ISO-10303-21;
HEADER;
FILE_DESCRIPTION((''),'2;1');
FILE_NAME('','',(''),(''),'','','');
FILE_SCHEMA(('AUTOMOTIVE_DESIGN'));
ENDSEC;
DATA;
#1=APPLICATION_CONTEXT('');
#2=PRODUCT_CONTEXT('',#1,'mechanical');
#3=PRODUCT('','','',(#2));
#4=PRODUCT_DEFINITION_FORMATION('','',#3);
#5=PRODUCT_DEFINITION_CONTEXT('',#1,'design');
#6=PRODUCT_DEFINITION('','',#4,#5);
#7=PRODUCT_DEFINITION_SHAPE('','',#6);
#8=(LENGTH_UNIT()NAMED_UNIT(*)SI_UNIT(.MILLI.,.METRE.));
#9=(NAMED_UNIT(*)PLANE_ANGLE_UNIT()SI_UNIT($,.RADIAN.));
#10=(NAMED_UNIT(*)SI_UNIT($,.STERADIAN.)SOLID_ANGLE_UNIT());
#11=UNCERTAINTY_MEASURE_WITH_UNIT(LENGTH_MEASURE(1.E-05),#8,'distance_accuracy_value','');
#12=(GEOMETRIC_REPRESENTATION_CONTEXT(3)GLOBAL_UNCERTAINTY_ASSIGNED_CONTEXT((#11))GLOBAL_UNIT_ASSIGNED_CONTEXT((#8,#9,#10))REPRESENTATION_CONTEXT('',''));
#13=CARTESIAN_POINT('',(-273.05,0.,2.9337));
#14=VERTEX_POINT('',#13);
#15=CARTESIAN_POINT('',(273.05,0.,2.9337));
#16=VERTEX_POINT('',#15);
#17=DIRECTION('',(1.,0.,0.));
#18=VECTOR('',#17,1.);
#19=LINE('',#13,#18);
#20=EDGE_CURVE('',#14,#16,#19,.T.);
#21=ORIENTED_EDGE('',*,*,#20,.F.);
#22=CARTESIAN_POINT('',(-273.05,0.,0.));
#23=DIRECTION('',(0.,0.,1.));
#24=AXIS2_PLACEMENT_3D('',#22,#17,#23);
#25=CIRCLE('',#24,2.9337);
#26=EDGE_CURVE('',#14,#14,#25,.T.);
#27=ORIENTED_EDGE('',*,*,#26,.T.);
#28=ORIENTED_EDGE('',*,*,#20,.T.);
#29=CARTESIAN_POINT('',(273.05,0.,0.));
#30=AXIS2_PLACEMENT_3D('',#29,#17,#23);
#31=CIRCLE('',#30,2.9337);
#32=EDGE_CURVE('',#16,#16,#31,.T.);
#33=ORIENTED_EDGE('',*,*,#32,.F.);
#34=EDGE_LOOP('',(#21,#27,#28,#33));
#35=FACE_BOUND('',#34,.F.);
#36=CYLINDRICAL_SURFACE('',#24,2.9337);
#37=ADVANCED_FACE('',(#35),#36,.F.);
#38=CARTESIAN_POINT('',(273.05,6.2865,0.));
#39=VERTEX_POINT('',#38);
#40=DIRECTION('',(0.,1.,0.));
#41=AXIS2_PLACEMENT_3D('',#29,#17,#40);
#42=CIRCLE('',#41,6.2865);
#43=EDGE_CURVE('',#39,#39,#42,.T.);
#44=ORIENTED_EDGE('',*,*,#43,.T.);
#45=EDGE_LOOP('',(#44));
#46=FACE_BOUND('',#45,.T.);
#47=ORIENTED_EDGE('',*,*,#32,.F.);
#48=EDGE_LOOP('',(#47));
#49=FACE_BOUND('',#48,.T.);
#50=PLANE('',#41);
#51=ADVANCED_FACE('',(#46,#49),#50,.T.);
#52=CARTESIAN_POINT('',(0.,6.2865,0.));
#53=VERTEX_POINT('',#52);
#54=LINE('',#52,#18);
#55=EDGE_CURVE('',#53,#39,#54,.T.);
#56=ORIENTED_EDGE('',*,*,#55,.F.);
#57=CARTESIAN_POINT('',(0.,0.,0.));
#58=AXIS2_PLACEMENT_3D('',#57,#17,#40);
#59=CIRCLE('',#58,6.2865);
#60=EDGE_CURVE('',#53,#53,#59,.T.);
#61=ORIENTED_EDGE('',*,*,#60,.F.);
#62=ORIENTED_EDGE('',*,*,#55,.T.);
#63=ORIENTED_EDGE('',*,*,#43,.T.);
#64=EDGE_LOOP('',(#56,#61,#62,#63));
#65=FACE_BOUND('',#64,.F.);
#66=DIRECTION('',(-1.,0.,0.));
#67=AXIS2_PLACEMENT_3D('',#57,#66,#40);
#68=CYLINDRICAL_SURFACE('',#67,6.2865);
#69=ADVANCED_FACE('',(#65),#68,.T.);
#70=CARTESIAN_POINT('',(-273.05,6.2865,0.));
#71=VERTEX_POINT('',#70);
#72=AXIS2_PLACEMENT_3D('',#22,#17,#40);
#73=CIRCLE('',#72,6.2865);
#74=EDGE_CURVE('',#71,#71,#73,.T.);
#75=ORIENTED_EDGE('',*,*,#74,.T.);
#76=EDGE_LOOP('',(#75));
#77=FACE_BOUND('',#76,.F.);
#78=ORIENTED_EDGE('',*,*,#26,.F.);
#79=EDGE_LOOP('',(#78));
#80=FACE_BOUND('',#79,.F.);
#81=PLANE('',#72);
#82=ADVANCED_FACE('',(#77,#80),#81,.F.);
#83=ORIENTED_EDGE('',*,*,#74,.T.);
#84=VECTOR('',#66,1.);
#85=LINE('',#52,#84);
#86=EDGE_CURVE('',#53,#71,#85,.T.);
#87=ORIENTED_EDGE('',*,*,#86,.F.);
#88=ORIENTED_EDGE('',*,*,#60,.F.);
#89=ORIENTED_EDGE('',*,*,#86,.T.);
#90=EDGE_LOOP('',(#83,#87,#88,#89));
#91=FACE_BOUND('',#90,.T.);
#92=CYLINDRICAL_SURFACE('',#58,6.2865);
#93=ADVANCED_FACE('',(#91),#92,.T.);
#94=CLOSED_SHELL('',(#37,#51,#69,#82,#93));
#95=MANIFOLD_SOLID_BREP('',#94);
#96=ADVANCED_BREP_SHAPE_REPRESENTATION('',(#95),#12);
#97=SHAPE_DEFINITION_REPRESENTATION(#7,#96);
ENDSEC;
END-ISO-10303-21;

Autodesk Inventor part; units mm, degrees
ref_plane "XZ Plane" through (0, 0, 0) normal (0, 1, 0) x (-1, 0, 0)
ref_plane "XY Plane" through (0, 0, 0) normal (0, 0, 1) x (1, 0, 0)
sketch "Sketch1" plane through (0, 0, 0) normal (1, 0, 0) x (0, 1, 0)
  circle A0 centre (0, 0) radius 6.2865
  dimension "d1" = 12.573
extrude "Extrusion2" add sketch "Sketch1" along normal mid plane 546.1
sketch "Sketch2" plane through (-273.05, 0, 0) normal (-1, 0, 0) x (0, 0, 1)
  point P0 (0, 0)
  point P1 (0, 0)
hole "Hole1" at (-273.05, 0, 0) direction (1, 0, 0) diameter 5.8674 end through all
properties part number "Churo_21_5_inches" material "Aluminum 6061"
